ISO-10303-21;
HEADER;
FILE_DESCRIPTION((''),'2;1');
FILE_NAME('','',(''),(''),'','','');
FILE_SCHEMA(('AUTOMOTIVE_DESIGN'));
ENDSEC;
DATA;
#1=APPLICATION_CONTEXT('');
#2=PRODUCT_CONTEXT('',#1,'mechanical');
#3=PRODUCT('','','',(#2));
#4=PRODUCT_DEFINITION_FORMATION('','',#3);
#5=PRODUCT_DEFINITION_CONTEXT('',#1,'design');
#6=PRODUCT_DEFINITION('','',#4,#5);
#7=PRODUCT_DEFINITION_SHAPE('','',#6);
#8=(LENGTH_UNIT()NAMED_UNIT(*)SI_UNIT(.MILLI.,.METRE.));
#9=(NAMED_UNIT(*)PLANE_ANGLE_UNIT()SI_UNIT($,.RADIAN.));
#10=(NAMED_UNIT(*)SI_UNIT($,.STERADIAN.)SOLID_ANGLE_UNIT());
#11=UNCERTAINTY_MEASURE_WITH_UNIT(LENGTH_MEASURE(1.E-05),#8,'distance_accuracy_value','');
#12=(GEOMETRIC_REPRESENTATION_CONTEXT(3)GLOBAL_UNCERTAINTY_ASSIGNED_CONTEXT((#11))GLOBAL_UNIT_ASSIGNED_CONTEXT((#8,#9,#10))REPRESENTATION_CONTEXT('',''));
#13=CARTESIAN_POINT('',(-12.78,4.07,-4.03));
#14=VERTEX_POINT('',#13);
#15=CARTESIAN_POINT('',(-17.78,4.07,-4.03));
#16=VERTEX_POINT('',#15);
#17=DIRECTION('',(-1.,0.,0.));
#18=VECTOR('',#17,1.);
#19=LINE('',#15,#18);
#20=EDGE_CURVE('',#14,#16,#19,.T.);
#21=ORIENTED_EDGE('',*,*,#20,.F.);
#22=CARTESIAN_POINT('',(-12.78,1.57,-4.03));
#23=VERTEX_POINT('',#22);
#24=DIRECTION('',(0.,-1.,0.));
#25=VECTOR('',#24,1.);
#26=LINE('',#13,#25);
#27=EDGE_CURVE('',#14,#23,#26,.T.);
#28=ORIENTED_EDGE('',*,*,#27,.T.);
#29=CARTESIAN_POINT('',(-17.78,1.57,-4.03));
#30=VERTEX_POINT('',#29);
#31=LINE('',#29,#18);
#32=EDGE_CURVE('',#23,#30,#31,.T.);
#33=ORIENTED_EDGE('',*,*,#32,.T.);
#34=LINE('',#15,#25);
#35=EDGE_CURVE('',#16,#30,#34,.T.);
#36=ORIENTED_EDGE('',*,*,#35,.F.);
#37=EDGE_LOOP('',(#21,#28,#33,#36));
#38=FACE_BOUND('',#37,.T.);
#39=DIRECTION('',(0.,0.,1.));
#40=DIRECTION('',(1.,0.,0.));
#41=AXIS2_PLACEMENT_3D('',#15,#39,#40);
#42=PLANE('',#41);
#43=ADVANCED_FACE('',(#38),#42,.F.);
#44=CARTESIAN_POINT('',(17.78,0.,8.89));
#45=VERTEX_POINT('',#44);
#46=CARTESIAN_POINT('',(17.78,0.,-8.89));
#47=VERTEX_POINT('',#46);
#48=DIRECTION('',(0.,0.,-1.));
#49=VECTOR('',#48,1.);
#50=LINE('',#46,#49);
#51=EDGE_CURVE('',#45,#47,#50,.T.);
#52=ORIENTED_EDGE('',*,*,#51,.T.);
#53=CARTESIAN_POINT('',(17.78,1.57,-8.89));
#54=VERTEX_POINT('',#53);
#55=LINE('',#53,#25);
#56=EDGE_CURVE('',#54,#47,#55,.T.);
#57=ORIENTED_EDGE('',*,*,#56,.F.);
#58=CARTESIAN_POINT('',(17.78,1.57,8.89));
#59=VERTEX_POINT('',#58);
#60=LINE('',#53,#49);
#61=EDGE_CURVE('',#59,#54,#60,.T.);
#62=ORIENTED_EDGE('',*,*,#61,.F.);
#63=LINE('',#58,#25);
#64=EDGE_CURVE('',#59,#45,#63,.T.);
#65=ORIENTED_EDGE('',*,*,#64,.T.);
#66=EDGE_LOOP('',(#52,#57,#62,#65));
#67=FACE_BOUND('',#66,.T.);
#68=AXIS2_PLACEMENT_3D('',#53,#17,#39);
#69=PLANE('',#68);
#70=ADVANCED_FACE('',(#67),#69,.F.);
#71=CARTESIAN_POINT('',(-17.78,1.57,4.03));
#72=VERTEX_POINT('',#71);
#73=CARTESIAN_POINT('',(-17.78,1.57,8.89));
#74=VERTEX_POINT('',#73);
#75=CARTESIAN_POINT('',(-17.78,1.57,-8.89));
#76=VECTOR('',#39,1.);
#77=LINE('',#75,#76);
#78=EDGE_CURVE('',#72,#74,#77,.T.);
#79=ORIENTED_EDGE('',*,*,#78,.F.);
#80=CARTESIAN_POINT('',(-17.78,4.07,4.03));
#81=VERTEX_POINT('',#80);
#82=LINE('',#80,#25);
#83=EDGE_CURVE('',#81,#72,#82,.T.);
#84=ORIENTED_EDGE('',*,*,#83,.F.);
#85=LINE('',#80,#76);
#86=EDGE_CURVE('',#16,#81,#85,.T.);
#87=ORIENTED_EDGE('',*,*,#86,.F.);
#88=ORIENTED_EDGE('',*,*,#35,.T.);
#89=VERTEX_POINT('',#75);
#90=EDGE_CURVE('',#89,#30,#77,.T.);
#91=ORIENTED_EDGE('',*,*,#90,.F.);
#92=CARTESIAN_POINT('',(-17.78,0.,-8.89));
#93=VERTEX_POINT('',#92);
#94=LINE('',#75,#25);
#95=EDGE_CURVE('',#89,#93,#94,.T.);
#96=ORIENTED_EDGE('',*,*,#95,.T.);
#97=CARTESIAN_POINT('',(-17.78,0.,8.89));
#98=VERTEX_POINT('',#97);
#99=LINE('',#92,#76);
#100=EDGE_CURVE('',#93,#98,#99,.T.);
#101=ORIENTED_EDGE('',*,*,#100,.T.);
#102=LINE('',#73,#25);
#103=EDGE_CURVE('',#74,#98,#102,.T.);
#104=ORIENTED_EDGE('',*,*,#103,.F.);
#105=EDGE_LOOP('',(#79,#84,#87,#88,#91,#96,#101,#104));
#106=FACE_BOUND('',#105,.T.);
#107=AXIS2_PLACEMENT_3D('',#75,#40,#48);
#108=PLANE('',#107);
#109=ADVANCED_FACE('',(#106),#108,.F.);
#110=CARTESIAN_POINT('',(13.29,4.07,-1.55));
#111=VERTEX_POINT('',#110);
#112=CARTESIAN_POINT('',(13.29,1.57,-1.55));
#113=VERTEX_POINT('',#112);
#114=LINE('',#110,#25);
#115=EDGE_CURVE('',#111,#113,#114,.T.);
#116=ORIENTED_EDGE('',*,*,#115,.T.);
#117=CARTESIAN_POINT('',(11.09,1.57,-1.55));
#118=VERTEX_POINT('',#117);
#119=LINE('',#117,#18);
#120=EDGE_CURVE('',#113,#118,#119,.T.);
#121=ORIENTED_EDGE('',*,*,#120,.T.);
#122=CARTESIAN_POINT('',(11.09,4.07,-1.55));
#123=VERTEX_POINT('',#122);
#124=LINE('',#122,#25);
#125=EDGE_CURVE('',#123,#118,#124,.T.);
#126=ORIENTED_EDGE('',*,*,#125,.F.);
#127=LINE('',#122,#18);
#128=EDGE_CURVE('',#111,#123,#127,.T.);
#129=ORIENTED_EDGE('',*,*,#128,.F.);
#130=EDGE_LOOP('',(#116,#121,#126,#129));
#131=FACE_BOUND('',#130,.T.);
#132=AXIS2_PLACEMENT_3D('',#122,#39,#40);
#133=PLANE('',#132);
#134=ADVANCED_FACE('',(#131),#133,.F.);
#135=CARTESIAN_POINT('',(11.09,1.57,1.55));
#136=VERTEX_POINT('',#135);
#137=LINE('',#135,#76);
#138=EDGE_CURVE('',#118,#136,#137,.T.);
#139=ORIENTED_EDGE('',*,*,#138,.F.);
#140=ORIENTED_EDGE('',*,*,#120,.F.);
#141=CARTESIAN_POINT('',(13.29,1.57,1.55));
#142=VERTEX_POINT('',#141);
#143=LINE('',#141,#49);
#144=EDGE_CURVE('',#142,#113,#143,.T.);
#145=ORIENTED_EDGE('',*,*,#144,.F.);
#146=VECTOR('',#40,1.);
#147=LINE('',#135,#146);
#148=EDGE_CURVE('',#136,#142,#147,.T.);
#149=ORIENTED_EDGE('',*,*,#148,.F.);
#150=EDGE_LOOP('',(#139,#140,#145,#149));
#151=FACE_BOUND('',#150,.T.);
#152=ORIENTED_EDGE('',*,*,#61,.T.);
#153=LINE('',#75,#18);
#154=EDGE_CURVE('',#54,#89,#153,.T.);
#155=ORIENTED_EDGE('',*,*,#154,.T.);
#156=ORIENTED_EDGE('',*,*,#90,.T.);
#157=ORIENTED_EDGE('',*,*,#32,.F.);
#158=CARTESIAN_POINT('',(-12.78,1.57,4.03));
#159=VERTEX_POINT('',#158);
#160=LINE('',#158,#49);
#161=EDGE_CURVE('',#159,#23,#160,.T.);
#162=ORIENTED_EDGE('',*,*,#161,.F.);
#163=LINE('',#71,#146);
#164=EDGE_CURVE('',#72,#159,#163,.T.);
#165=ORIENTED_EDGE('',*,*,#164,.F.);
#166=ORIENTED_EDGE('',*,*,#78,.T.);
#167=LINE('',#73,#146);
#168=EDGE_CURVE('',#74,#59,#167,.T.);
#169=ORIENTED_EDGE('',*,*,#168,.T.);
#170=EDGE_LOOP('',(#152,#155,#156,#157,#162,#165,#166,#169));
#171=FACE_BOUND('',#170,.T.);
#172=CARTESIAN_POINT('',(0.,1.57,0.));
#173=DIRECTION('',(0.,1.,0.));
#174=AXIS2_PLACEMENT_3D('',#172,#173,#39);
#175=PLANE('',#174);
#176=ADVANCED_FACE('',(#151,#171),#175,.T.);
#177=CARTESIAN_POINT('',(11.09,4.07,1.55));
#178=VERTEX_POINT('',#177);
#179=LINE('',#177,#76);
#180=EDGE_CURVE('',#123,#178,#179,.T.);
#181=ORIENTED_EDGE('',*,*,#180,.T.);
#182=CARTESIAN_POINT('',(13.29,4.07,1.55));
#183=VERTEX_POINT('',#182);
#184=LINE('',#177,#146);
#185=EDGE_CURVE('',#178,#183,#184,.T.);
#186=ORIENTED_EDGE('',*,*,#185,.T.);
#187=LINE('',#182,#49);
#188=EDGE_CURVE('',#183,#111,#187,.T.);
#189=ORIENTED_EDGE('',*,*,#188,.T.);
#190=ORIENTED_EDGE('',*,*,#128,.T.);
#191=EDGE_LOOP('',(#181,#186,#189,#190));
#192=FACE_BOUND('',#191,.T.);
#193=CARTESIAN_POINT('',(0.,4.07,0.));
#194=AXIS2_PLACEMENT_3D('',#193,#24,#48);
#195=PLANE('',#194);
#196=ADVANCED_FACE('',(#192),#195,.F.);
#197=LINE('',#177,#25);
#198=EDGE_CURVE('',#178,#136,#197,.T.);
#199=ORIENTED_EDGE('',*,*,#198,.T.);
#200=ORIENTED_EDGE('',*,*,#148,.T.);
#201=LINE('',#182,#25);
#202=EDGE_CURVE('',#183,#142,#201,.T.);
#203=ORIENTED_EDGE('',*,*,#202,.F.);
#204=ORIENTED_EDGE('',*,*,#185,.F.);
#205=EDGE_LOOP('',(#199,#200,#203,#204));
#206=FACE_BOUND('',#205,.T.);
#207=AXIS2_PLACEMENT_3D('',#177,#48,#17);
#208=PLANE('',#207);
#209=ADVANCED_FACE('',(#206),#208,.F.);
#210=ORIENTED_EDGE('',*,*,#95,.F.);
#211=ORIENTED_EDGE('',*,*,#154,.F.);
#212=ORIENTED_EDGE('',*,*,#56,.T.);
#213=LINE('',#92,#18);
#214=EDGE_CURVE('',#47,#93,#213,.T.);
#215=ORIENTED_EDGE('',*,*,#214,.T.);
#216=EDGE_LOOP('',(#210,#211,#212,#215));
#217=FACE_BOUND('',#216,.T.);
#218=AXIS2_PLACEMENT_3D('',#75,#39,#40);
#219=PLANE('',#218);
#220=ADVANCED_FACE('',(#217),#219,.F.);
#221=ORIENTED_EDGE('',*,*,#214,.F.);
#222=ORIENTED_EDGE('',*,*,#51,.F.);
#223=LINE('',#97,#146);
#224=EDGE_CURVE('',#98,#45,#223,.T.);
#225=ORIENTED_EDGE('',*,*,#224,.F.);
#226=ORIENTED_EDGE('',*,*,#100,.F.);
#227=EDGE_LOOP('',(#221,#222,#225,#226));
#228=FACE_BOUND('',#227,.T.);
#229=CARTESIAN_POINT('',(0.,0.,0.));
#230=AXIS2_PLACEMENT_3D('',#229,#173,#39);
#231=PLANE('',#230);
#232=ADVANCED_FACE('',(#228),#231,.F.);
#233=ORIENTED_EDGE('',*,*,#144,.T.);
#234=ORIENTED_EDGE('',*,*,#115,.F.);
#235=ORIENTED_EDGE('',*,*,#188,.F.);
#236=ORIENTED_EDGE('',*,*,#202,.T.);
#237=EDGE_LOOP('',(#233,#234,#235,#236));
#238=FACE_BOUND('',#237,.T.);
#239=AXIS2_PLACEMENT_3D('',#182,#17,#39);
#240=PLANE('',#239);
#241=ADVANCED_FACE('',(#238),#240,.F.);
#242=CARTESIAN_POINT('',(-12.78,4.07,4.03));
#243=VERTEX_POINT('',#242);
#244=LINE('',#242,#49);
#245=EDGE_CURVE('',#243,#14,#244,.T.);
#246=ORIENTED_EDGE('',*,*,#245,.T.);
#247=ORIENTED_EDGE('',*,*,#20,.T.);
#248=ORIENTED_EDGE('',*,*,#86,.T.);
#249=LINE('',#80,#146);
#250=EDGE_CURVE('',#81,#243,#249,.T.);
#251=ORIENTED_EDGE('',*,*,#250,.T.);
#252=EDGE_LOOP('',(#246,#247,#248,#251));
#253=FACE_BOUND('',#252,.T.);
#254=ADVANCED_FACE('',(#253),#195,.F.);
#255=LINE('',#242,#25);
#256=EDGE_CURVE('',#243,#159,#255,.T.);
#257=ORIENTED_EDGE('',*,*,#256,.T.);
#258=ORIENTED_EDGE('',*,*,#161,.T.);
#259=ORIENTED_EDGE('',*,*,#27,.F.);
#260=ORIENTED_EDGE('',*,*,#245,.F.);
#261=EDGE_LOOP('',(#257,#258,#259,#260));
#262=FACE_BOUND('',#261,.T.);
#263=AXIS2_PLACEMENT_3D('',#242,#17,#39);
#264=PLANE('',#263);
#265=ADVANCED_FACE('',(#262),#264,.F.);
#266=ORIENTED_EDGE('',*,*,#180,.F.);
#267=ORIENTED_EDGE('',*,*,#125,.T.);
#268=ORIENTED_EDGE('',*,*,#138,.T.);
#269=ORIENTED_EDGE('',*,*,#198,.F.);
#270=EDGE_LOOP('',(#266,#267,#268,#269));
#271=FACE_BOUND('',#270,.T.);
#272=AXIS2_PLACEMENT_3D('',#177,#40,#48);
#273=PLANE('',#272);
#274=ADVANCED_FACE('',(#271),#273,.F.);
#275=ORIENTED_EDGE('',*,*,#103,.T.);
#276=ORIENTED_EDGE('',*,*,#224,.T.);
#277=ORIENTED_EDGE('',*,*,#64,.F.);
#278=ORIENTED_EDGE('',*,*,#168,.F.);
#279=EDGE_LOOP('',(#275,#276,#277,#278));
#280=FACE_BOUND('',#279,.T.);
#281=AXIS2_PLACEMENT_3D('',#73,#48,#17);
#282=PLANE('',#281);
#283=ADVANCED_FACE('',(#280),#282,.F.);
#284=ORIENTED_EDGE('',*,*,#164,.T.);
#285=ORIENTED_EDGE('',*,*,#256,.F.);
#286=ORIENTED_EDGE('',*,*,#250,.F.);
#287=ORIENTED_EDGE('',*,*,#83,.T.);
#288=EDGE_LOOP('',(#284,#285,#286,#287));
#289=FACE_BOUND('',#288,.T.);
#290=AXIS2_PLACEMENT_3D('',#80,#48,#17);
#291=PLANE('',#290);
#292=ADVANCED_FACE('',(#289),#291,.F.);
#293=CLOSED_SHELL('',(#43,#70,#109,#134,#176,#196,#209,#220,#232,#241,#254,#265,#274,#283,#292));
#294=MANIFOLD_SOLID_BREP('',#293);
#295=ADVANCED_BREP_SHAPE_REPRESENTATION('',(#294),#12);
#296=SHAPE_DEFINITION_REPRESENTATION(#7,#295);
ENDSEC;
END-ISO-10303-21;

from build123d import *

# Parameters (mm, degrees)
SKETCH1_W      = 35.56
SKETCH1_H      = 17.78
BOARD_DEPTH    = 1.57
SKETCH2_W      = 5
SKETCH2_H      = 8.06
MICROUSB_DEPTH = 2.5
SKETCH3_W      = 2.2
SKETCH3_H      = 3.1
BUTTON_DEPTH   = 2.5


with BuildPart() as part:
    # Sketch1 → Board (new body)
    with BuildSketch(Plane(origin=(0, 0, 0), x_dir=(1, 0, 0), z_dir=(0, 1, 0))):
        Rectangle(SKETCH1_W, SKETCH1_H)
    extrude(amount=BOARD_DEPTH)

    # Sketch2 → MicroUSB (add)
    with BuildSketch(Plane(origin=(0, 1.57, 0), x_dir=(1, 0, 0), z_dir=(0, 1, 0))):
        with Locations((-15.28, 0)):
            Rectangle(SKETCH2_W, SKETCH2_H)
    extrude(amount=MICROUSB_DEPTH)

    # Sketch3 → Button (add)
    with BuildSketch(Plane(origin=(0, 1.57, 0), x_dir=(1, 0, 0), z_dir=(0, 1, 0))):
        with Locations((12.19, 0)):
            Rectangle(SKETCH3_W, SKETCH3_H)
    extrude(amount=BUTTON_DEPTH)


solid = part.part
